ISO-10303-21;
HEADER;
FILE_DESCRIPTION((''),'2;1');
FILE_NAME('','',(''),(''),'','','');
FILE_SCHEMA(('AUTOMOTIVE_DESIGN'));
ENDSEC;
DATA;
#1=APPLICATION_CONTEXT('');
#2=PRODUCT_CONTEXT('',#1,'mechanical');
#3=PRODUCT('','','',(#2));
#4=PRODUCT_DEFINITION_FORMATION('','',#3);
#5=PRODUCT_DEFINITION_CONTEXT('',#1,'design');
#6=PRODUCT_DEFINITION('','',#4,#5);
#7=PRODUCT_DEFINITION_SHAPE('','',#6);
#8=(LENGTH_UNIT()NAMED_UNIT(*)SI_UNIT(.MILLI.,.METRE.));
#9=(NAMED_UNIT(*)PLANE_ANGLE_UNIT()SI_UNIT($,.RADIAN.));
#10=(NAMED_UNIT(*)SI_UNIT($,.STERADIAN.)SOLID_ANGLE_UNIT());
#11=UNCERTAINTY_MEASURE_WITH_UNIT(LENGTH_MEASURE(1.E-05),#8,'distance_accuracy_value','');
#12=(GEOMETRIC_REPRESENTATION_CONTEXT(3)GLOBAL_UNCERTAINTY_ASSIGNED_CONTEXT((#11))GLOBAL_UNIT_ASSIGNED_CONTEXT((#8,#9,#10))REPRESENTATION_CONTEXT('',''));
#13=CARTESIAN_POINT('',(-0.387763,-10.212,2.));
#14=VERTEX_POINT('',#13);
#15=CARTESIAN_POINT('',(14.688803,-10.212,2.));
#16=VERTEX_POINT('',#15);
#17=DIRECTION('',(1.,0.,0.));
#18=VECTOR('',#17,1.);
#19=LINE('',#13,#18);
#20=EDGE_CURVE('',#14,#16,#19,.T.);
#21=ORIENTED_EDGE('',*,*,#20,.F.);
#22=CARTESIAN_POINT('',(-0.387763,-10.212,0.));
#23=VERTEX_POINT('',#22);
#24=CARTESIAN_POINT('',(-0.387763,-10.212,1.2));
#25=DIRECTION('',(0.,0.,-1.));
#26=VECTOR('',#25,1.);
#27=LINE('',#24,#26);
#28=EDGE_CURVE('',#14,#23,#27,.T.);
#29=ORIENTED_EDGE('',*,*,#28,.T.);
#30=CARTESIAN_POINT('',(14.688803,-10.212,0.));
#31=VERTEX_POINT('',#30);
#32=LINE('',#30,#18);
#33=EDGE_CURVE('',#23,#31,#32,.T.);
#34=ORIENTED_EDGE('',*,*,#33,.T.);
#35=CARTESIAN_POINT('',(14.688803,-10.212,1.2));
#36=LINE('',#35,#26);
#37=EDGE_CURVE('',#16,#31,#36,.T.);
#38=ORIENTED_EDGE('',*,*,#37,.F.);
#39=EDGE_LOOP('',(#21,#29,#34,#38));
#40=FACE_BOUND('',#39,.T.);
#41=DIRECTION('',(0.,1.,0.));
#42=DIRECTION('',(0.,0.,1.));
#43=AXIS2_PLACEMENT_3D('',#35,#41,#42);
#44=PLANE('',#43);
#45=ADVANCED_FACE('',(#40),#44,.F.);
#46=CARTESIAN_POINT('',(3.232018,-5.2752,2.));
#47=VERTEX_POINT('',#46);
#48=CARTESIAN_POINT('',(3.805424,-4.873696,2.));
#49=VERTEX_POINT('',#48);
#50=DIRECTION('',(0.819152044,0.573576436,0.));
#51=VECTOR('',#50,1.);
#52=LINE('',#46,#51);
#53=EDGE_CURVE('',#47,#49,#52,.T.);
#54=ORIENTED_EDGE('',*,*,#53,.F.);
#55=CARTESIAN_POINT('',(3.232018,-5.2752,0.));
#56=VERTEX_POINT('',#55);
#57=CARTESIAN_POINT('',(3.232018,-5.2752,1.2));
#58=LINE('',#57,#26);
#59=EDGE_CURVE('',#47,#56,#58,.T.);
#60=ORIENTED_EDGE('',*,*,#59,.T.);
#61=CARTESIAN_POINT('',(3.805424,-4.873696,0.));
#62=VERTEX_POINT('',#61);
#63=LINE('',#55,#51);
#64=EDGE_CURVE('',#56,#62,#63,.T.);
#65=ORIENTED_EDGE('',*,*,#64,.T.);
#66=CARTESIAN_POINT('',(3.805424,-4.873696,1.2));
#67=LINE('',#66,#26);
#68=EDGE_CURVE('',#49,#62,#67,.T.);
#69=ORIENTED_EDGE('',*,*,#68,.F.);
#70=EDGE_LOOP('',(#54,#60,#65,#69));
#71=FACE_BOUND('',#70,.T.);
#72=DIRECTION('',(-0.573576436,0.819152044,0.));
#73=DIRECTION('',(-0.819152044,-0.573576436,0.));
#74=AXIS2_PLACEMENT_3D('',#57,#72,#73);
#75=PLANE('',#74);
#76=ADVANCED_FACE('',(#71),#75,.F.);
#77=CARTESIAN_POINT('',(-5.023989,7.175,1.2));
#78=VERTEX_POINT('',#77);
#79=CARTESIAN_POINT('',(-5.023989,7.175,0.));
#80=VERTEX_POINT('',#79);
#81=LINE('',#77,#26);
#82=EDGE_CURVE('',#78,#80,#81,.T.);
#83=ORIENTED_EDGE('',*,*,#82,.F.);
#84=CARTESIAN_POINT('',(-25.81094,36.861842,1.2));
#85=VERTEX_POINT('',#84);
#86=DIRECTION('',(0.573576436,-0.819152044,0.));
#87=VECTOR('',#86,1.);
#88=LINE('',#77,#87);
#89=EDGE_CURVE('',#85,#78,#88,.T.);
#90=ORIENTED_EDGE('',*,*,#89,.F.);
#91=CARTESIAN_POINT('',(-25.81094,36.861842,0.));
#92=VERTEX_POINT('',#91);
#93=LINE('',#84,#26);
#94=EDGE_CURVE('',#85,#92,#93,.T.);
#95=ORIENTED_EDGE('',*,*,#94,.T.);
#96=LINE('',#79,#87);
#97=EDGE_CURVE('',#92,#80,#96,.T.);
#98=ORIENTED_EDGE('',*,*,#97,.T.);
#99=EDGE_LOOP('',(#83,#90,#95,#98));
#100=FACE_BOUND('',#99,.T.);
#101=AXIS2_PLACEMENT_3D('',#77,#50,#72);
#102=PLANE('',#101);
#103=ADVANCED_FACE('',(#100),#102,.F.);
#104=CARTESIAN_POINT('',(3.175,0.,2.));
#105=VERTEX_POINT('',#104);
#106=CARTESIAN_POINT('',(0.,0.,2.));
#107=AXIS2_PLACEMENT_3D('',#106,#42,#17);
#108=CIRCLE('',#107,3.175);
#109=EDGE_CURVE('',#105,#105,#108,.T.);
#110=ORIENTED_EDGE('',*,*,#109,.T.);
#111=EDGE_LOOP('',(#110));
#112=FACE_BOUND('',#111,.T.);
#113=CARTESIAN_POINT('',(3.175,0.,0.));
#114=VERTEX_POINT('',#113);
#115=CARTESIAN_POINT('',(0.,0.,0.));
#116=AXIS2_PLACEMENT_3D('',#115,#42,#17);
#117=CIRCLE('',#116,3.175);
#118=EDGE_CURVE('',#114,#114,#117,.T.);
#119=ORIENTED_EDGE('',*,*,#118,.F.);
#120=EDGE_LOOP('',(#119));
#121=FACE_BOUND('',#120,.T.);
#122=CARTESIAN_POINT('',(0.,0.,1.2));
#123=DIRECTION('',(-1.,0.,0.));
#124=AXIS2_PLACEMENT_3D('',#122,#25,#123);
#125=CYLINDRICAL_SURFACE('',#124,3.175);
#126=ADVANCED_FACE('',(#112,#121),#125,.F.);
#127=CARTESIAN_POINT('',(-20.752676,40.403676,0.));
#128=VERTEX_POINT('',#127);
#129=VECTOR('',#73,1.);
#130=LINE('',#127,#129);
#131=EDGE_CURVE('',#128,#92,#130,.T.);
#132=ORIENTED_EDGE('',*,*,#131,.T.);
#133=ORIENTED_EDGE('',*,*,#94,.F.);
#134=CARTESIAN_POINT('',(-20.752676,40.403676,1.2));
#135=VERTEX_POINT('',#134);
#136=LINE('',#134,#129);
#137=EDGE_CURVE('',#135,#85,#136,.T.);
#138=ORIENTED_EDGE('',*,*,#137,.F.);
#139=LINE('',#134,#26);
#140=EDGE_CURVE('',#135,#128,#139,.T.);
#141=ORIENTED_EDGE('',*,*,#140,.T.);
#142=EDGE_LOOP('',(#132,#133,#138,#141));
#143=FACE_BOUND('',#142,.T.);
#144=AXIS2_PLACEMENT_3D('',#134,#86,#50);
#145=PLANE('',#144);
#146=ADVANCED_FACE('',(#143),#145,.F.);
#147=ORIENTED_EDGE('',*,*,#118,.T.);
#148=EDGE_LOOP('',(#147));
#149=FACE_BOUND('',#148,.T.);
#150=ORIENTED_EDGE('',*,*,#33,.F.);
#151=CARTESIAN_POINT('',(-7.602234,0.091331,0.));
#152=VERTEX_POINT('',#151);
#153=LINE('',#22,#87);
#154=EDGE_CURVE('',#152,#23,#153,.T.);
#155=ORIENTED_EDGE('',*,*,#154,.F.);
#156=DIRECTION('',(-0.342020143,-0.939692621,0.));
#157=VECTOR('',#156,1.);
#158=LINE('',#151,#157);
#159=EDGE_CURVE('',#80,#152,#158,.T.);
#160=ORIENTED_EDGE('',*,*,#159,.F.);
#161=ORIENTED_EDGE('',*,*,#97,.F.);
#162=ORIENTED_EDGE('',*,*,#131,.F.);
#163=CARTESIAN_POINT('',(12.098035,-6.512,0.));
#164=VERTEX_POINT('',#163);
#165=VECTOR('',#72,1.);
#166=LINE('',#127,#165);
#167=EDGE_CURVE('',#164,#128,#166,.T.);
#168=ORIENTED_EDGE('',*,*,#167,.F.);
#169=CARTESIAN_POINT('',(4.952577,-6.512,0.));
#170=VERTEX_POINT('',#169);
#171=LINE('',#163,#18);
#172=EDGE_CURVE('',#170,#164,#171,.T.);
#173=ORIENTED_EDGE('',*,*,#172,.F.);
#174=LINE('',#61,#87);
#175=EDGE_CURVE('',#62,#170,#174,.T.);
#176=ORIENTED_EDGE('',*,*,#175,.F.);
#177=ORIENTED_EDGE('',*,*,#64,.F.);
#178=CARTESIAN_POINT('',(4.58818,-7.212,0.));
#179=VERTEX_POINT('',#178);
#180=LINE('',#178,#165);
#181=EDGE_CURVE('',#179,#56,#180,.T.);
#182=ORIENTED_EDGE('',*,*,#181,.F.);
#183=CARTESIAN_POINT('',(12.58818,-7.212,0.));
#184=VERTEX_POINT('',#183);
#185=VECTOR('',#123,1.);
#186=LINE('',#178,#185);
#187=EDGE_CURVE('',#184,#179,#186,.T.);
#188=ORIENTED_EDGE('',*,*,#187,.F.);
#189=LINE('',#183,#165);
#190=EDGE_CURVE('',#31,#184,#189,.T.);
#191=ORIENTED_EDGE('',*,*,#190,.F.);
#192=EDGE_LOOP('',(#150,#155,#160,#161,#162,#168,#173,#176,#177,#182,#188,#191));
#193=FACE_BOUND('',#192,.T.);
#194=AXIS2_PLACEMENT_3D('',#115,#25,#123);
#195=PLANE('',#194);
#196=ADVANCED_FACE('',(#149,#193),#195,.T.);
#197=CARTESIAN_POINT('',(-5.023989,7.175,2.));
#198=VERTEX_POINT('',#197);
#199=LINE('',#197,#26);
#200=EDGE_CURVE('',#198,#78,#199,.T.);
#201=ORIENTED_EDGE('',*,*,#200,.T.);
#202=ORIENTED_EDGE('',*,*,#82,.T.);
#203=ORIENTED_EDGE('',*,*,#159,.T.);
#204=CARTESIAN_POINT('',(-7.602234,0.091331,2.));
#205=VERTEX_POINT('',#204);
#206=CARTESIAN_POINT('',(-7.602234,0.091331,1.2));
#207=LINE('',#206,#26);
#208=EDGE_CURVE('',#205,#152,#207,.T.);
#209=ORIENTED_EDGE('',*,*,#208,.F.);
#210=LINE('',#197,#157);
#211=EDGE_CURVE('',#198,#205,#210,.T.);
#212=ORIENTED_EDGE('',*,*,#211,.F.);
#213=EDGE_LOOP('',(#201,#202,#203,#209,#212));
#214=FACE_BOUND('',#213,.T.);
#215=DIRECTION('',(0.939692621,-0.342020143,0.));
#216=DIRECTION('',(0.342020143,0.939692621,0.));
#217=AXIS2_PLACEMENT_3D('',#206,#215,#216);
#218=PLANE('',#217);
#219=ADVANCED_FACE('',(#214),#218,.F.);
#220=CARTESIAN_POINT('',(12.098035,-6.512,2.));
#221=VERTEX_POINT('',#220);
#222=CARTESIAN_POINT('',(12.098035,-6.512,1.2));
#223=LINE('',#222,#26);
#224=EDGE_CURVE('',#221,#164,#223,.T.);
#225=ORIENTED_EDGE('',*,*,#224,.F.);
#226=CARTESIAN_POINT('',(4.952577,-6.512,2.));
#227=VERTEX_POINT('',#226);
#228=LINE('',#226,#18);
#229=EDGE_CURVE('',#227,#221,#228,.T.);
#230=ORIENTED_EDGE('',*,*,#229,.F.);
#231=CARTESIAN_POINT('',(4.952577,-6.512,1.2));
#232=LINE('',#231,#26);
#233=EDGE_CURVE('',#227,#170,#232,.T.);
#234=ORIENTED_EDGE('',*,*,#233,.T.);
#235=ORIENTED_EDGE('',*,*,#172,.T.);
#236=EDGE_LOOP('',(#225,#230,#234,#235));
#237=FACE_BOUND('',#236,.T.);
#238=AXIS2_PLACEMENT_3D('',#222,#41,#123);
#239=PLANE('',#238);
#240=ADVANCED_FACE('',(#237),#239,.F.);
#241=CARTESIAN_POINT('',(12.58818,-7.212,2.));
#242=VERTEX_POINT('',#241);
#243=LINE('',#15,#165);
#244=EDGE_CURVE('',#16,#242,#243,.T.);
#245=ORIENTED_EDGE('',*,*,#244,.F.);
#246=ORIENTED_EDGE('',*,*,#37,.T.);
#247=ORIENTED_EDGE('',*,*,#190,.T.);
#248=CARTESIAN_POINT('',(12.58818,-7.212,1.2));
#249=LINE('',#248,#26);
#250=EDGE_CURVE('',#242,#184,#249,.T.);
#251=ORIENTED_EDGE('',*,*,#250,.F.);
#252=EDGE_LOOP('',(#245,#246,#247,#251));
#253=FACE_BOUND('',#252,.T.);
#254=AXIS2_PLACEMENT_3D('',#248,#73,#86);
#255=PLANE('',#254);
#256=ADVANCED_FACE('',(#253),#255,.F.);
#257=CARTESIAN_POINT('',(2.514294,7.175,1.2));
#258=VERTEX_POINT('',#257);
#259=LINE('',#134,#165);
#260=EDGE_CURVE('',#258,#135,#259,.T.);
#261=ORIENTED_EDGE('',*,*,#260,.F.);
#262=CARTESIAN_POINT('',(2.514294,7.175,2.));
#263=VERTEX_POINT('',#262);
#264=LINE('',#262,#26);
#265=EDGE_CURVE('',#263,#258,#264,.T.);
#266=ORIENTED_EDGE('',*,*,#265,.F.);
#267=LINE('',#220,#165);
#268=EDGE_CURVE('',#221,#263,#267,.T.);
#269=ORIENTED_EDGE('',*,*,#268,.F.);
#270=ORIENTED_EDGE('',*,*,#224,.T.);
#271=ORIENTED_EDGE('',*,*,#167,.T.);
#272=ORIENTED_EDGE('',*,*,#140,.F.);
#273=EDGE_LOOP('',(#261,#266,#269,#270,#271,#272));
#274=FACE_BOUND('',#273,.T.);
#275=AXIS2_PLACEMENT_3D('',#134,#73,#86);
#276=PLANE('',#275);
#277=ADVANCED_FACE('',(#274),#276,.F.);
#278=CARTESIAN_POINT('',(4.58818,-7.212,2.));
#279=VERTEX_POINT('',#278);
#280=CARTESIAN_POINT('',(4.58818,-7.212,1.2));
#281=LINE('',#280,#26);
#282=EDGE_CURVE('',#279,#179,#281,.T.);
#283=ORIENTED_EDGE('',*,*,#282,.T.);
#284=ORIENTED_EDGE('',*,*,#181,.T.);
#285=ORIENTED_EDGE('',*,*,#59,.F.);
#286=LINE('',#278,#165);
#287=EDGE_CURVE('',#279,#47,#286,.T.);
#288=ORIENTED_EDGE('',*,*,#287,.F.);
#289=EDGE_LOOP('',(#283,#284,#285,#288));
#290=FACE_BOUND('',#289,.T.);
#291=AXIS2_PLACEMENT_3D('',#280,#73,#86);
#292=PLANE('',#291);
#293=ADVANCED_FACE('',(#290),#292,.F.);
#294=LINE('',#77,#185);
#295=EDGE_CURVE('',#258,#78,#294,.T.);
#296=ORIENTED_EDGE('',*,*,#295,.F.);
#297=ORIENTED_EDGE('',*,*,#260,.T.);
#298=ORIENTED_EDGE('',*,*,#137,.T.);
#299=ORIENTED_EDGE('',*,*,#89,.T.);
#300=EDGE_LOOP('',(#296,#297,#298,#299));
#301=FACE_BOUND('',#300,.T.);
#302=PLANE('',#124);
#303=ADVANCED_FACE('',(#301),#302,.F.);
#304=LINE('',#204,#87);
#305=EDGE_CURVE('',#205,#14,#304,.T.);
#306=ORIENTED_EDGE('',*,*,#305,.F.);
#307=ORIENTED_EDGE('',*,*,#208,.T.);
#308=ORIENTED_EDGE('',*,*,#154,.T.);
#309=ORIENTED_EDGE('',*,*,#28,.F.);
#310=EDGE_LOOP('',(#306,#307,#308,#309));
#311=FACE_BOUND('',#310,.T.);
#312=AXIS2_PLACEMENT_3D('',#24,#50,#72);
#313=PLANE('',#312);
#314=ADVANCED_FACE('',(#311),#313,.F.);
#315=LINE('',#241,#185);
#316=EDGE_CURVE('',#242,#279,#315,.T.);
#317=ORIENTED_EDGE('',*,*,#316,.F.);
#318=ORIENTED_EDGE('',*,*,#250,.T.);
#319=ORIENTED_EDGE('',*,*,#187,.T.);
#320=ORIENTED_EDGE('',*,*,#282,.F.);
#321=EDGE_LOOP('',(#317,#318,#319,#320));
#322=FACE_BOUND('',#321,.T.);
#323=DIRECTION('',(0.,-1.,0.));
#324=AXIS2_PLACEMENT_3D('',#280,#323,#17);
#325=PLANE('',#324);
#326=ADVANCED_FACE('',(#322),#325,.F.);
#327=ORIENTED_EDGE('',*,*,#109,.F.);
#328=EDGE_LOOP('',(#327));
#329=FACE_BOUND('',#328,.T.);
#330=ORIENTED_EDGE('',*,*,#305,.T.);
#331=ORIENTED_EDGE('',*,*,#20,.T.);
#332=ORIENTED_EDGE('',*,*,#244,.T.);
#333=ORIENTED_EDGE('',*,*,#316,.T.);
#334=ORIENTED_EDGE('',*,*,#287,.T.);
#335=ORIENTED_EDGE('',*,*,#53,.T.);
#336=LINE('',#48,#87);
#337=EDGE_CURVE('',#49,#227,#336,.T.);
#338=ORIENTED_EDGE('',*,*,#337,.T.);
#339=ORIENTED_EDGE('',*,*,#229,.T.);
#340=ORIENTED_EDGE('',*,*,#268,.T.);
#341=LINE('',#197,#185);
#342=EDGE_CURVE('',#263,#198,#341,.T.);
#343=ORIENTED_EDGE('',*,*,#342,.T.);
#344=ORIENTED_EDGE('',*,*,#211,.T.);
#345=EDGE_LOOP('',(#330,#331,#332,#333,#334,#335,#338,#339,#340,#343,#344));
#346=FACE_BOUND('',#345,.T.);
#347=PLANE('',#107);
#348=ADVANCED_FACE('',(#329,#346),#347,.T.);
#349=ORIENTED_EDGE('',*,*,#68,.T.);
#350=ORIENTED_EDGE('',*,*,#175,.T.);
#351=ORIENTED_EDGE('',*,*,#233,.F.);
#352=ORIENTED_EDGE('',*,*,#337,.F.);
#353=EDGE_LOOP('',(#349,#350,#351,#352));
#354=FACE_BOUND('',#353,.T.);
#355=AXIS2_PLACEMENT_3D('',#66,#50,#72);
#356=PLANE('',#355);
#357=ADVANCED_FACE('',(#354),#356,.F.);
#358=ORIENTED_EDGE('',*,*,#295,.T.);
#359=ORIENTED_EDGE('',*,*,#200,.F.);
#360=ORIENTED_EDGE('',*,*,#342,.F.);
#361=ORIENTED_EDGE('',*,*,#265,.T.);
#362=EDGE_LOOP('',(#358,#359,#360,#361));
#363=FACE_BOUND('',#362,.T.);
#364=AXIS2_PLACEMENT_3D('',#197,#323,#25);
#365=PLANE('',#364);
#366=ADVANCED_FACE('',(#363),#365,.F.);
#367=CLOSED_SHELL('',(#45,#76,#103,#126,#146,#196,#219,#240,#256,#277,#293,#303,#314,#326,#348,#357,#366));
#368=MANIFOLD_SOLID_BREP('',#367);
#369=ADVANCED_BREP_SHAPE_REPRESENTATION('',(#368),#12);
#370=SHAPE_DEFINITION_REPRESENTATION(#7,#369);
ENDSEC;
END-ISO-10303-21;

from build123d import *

# Parameters (mm, degrees)
SKETCH1_R           = 3.175
BOSS_EXTRUDE1_DEPTH = 1.2
SKETCH2_R           = 3.175
BOSS_EXTRUDE2_DEPTH = 0.8


with BuildPart() as part:
    # Sketch1 → Boss-Extrude1 (new body)
    with BuildSketch(Plane.XY):
        Polygon((-0.387763394, -10.212000445), (-7.602233748, 0.091331011), (-5.023989087, 7.175), (-25.810939636, 36.861841993), (-20.752675762, 40.403676487), (12.098034886, -6.512000445), (4.952577098, -6.512000445), (3.805424226, -4.873696357), (3.232017795, -5.275199862), (4.588180163, -7.212000445), (12.588180163, -7.212000445), (14.688802778, -10.212000445), align=None)
        Circle(SKETCH1_R, mode=Mode.SUBTRACT)
    extrude(amount=BOSS_EXTRUDE1_DEPTH)

    # Sketch2 → Boss-Extrude2 (add)
    with BuildSketch(Plane.XY.offset(1.2)):
        Polygon((-5.023989087, 7.175), (2.514293999, 7.175), (12.098034886, -6.512000445), (4.952577098, -6.512000445), (3.805424226, -4.873696357), (3.232017795, -5.275199862), (4.588180163, -7.212000445), (12.588180163, -7.212000445), (14.688802778, -10.212000445), (-0.387763394, -10.212000445), (-7.602233748, 0.091331011), align=None)
        Circle(SKETCH2_R, mode=Mode.SUBTRACT)
    extrude(amount=BOSS_EXTRUDE2_DEPTH)


solid = part.part
